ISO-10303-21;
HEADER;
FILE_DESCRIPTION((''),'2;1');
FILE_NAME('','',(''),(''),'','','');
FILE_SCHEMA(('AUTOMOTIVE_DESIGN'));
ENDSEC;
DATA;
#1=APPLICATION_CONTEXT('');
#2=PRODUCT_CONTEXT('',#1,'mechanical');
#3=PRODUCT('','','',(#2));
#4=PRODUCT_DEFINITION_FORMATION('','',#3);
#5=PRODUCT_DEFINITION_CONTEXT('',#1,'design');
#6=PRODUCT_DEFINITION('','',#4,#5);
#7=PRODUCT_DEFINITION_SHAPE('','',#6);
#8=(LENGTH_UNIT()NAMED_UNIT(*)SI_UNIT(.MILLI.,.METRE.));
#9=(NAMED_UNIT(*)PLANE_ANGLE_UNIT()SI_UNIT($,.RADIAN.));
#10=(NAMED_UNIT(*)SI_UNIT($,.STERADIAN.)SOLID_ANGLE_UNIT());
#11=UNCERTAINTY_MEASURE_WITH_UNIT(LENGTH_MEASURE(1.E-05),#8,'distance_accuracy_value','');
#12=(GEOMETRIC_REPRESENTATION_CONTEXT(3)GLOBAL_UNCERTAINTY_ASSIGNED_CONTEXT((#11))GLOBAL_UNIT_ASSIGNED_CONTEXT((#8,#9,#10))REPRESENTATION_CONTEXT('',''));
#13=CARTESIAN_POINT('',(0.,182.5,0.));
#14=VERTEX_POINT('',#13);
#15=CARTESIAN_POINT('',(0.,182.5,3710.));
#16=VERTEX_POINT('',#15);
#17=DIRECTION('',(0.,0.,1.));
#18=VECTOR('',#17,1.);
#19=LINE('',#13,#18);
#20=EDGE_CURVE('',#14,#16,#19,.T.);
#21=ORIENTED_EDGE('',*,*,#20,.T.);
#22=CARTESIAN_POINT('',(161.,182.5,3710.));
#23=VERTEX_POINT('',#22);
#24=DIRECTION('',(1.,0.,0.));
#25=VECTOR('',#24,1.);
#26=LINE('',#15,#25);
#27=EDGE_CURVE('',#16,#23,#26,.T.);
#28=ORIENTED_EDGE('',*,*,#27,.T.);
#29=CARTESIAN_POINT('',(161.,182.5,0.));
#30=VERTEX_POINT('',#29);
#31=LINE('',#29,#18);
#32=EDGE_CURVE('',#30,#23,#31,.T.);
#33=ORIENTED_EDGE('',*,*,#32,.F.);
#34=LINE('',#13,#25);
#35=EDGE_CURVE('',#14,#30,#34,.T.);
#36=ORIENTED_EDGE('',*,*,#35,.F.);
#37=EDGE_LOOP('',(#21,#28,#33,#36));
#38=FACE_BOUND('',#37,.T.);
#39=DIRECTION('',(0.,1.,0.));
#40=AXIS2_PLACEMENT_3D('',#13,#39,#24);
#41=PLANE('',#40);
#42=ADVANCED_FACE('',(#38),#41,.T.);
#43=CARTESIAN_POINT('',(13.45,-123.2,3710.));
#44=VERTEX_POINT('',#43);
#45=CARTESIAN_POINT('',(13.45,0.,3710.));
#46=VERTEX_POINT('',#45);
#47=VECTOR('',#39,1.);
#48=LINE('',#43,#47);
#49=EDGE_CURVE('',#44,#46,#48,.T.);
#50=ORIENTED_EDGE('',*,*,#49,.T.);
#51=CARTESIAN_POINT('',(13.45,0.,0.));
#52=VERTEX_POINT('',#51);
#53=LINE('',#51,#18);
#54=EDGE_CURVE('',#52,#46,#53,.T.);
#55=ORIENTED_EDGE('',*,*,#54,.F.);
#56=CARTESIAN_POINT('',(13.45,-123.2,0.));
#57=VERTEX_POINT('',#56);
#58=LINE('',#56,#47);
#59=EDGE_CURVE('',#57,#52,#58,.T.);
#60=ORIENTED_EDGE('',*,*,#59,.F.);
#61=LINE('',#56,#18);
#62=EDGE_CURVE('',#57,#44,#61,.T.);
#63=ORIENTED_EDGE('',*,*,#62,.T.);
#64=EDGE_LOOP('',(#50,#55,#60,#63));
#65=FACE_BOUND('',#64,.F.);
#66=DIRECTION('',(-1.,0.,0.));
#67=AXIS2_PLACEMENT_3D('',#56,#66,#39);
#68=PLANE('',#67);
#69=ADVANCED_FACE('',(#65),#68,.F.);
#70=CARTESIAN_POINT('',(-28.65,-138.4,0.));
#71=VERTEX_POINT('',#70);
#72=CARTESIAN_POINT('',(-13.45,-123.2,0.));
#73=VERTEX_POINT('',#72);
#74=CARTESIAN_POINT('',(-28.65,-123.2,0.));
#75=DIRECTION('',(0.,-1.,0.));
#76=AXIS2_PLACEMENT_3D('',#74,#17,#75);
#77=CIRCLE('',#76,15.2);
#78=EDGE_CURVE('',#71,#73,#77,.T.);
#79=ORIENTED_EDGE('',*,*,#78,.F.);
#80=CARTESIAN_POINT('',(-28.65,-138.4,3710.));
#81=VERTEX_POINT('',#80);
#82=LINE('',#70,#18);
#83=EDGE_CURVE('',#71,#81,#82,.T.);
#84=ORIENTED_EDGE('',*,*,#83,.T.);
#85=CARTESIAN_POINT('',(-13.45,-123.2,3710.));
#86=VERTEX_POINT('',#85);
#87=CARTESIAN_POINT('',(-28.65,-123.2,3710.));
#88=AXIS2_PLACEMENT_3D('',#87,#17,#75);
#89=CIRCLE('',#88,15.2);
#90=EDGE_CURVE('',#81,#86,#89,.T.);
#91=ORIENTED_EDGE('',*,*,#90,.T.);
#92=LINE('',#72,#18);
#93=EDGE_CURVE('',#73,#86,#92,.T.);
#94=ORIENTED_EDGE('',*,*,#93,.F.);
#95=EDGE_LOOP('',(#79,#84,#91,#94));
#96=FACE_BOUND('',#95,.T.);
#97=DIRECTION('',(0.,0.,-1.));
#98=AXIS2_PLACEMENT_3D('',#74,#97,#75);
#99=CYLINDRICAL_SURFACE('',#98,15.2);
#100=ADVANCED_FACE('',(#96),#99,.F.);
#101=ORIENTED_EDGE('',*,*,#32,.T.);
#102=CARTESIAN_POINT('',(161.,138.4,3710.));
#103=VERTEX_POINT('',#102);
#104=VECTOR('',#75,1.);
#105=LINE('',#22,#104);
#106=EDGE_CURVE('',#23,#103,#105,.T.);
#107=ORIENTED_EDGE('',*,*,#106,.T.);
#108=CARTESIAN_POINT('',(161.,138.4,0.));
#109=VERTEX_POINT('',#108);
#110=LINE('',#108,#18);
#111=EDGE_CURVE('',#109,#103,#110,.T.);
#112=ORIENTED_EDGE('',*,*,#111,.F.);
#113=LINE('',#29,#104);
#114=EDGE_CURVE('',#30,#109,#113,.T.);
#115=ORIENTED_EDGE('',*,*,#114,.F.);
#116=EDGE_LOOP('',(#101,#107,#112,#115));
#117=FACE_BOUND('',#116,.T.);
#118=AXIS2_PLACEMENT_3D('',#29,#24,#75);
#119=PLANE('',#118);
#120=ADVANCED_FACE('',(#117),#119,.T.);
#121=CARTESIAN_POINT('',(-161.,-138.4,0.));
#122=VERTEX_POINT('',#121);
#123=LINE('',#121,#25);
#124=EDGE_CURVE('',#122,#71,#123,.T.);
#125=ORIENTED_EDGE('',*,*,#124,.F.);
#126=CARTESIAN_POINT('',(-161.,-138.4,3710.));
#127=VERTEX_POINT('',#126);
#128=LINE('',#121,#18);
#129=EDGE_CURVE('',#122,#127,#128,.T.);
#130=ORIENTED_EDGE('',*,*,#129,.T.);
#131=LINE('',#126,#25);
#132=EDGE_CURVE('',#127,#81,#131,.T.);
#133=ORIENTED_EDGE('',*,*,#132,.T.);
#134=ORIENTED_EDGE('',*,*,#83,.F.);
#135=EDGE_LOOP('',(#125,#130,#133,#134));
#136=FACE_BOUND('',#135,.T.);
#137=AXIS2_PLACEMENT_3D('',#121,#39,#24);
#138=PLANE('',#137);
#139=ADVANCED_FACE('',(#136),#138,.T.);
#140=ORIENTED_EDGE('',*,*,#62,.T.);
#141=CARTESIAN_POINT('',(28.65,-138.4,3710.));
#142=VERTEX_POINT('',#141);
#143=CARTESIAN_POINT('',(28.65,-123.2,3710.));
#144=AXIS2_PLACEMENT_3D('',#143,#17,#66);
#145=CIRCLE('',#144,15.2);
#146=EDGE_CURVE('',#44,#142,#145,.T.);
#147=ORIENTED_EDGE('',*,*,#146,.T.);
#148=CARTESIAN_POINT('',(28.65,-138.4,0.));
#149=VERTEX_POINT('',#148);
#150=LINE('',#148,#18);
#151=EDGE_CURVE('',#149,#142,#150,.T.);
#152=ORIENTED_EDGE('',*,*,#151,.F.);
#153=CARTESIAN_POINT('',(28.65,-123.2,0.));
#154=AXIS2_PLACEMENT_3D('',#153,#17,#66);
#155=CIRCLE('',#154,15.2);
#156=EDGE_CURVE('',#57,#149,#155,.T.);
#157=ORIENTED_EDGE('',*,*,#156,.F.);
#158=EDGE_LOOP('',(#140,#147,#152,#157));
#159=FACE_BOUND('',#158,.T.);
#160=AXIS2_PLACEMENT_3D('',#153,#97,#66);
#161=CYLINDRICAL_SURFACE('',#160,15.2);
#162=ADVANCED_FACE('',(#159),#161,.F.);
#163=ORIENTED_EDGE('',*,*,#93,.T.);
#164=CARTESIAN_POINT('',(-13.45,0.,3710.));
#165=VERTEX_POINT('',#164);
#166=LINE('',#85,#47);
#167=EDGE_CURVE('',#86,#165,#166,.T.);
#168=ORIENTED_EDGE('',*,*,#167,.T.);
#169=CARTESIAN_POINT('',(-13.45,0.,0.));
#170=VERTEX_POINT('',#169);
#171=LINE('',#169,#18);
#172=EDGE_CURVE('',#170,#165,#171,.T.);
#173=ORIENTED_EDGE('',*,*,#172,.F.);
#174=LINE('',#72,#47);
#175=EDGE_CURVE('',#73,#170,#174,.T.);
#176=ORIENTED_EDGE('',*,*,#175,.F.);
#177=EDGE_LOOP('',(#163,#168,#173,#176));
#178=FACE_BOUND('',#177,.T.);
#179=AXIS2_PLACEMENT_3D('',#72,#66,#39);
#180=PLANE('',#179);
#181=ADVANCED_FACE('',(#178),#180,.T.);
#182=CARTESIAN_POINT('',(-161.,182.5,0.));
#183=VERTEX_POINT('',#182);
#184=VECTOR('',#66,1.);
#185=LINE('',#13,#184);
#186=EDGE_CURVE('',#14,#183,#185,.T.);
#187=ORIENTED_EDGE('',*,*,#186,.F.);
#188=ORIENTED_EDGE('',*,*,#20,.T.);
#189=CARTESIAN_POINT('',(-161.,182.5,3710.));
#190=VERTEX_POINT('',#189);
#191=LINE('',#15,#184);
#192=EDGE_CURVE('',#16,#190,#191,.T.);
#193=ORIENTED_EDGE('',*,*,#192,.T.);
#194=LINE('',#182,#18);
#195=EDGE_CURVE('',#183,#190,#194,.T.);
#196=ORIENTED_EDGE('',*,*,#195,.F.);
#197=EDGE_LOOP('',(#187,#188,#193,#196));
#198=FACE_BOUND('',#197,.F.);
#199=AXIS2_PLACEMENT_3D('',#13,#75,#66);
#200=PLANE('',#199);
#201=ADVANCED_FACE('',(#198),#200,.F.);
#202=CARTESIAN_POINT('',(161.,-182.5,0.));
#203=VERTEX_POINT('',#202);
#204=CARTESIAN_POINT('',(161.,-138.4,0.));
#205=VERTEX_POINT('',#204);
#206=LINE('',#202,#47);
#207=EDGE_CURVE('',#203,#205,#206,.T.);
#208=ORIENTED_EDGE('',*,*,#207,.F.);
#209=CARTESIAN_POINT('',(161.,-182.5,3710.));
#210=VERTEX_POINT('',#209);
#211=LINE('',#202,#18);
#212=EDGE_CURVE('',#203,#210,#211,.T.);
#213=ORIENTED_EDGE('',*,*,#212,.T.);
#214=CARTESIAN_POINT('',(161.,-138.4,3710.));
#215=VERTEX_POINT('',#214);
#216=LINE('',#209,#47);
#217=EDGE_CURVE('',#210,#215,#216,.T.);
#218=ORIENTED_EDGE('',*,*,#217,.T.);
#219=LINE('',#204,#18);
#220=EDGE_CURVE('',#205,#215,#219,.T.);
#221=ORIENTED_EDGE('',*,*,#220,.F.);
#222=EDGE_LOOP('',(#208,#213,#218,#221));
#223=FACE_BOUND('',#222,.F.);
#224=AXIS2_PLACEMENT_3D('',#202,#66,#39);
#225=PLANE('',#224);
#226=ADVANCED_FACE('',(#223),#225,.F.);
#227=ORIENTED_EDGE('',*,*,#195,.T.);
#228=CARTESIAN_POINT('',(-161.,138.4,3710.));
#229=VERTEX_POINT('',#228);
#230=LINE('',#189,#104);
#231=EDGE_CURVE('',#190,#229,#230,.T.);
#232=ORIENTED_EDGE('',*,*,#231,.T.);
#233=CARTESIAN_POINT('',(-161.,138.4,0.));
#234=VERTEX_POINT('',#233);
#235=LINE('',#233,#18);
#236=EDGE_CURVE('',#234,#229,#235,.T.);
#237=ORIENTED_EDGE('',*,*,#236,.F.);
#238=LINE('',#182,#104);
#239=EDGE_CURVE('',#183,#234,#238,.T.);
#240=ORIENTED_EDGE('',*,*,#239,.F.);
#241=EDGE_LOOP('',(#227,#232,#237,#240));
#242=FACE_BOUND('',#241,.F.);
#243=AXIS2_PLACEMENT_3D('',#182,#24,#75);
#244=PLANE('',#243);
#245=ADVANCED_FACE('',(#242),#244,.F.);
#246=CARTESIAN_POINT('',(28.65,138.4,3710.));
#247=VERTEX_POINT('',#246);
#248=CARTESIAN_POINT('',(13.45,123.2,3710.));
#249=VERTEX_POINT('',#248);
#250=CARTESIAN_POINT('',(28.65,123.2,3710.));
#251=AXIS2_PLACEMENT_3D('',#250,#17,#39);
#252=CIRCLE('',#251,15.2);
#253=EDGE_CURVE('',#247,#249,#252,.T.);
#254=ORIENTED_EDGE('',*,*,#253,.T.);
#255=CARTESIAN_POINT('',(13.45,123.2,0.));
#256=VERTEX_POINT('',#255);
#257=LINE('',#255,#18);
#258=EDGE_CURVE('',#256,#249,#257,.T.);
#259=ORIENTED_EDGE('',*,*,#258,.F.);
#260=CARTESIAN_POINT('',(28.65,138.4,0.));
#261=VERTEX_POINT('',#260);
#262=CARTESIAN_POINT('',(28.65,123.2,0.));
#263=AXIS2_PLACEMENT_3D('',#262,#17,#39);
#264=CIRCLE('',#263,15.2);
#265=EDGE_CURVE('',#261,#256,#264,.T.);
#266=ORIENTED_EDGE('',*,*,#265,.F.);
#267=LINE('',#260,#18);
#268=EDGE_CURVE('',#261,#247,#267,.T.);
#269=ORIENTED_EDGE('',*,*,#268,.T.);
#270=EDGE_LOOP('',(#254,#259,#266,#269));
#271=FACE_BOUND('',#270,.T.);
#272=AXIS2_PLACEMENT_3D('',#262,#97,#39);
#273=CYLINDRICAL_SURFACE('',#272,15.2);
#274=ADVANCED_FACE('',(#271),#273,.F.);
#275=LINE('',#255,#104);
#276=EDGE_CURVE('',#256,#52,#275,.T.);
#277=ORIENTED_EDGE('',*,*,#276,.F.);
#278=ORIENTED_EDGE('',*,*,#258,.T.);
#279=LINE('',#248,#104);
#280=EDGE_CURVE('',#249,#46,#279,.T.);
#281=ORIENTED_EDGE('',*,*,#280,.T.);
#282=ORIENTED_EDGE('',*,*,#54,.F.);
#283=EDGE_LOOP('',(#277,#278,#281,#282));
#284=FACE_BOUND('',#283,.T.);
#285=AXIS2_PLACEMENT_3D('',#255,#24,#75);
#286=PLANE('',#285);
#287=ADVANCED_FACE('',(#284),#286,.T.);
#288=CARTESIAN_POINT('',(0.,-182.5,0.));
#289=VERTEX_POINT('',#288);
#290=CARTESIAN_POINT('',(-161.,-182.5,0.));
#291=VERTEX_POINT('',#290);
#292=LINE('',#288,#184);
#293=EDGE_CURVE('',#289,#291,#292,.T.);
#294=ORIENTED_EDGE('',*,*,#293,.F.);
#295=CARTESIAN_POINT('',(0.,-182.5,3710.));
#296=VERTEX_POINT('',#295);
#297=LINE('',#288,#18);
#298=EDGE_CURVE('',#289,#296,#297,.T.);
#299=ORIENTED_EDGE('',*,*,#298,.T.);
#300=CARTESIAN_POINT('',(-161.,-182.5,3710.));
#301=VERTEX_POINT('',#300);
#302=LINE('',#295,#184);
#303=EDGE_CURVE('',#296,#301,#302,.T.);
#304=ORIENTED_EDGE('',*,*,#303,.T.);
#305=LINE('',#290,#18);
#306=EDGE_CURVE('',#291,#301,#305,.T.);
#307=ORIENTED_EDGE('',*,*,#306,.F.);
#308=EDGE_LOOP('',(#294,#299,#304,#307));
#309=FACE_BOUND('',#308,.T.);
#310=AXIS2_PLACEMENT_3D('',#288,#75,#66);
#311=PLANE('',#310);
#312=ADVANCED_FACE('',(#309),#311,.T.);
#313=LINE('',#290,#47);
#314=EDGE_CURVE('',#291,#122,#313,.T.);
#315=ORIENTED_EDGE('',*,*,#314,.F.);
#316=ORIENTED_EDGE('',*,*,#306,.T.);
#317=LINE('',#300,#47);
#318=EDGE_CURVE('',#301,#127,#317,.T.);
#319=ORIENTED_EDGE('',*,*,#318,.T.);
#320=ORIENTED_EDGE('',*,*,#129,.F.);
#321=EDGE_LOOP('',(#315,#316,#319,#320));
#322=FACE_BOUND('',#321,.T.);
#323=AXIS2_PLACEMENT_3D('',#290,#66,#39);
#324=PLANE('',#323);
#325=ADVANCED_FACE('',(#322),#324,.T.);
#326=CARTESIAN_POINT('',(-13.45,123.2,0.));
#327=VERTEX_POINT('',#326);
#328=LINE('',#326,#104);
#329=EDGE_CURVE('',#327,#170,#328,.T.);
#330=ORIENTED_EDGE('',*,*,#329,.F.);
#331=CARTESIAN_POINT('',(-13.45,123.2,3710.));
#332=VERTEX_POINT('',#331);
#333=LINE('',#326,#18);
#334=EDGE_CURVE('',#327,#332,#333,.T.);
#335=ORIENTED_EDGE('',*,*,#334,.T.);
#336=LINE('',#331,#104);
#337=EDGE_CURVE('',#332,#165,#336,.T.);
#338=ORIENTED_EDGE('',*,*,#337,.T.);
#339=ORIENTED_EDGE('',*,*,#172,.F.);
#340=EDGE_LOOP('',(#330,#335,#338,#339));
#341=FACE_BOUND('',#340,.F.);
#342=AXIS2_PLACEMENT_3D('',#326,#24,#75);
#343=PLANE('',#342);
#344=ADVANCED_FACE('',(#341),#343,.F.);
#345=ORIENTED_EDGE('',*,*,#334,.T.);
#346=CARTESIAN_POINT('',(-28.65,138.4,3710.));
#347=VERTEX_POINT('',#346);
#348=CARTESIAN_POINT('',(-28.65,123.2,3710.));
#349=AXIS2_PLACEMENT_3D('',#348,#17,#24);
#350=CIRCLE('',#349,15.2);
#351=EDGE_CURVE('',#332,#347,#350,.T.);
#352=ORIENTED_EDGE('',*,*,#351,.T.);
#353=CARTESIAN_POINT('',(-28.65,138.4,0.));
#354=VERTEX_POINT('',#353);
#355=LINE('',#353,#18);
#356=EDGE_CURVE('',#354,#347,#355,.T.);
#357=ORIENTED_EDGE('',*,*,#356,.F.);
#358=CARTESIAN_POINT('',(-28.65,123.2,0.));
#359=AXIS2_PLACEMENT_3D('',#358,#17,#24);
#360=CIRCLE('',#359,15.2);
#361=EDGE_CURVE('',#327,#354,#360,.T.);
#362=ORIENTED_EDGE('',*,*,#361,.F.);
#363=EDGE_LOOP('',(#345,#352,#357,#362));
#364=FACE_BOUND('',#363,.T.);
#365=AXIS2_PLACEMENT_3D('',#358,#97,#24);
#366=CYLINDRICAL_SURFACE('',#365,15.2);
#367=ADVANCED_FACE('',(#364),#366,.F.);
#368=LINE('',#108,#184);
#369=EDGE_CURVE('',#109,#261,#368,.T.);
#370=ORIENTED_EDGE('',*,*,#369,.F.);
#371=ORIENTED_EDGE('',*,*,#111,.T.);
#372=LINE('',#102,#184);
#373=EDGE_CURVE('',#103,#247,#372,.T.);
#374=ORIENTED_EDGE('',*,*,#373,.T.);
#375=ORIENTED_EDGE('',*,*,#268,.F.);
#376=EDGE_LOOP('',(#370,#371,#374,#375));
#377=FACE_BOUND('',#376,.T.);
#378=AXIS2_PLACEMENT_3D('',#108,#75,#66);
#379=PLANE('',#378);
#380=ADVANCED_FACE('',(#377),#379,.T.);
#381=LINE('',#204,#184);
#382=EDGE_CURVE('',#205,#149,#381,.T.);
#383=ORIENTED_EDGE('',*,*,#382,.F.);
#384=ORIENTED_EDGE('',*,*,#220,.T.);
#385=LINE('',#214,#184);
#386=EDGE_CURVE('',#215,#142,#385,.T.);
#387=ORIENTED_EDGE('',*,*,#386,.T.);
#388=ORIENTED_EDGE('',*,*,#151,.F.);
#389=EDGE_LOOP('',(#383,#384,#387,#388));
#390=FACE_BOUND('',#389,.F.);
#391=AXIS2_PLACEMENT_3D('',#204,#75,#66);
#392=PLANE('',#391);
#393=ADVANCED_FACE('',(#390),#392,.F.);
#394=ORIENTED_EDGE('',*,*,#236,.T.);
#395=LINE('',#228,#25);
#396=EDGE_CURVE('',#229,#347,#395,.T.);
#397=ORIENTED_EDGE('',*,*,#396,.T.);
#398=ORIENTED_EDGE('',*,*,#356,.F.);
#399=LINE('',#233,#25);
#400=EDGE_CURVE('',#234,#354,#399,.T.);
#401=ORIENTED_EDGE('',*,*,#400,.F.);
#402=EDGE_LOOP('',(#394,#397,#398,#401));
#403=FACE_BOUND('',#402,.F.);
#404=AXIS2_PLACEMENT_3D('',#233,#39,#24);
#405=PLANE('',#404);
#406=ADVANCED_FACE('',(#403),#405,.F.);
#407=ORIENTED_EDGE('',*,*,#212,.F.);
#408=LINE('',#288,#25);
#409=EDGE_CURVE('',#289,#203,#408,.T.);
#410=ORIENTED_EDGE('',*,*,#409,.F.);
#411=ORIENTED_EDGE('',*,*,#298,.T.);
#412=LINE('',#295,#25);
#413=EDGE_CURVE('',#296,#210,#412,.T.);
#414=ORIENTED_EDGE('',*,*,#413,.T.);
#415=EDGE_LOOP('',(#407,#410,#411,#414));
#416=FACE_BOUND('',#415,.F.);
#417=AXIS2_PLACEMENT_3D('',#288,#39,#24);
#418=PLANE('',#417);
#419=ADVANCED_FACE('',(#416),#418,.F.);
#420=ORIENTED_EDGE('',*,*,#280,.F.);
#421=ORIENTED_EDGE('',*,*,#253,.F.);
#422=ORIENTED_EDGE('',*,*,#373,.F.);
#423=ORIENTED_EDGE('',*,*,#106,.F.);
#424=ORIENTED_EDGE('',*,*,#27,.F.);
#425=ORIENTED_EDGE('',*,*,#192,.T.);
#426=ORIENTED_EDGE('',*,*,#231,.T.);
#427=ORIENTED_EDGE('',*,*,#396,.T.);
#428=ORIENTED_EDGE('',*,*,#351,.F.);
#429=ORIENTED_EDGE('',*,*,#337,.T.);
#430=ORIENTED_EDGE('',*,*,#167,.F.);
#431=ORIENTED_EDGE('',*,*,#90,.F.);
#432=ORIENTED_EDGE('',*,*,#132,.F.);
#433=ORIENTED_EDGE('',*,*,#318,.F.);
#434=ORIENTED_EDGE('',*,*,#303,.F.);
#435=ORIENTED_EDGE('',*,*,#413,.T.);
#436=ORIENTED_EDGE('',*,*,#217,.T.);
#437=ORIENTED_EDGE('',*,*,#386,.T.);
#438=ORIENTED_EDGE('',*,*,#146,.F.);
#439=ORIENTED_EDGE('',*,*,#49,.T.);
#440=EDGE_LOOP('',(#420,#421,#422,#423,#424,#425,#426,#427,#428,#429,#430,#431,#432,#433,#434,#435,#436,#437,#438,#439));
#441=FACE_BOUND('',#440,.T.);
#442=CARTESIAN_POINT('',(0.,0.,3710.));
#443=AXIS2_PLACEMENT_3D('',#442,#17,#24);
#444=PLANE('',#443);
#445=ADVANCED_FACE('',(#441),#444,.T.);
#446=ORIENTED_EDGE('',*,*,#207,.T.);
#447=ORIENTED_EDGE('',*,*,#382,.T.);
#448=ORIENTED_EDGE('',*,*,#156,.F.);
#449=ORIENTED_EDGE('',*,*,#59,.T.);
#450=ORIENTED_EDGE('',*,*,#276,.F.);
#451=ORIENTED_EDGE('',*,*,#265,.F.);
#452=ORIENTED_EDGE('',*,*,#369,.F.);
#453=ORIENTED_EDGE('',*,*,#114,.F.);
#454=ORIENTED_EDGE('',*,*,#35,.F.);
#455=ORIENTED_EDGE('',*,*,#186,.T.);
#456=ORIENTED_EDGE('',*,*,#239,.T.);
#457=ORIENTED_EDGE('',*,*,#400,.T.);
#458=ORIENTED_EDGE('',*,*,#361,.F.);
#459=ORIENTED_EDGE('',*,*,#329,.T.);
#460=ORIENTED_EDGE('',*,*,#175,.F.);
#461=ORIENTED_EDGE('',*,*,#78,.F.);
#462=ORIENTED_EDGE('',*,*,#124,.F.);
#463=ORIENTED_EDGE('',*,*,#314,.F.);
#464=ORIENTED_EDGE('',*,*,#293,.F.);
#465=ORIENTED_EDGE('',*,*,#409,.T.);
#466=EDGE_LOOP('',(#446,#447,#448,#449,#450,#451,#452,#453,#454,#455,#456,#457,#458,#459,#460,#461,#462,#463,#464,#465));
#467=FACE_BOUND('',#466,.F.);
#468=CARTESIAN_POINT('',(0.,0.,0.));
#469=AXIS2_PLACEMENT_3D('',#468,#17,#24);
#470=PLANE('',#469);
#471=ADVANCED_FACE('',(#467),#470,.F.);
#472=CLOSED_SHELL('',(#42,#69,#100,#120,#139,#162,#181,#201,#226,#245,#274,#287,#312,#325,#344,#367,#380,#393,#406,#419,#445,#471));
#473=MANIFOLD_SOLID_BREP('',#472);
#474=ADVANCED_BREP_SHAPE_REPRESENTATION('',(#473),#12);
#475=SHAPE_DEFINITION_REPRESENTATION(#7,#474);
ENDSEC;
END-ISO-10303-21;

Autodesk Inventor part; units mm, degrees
ref_plane "YZ Plane" through (0, 0, 0) normal (1, 0, 0) x (0, 1, 0)
ref_plane "Start plane" through (0, 0, 0) normal (0, 0, 1) x (1, 0, 0)
ref_plane "End plane" through (0, 0, 3710) normal (0, 0, 1) x (1, 0, 0)
sketch "Sketch" plane through (0, 0, 0) normal (0, 0, 1) x (1, 0, 0)
  line L0 (-161, -182.5) -> (-161, -138.4)
  line L1 (-161, -138.4) -> (-28.65, -138.4)
  line L2 (-13.45, -123.2) -> (-13.45, 0)
  line L3 (-13.45, 0) -> (0, 0) construction
  line L4 (0, 0) -> (0, -182.5) construction
  line L5 (0, -182.5) -> (-161, -182.5)
  line L6 (-60, 0) -> (80, 0) construction
  line L7 (0, -60) -> (0, 80) construction
  line L8 (161, -182.5) -> (161, -138.4)
  line L9 (161, -138.4) -> (28.65, -138.4)
  line L10 (13.45, -123.2) -> (13.45, 0)
  line L11 (13.45, 0) -> (0, 0) construction
  line L12 (0, -182.5) -> (161, -182.5)
  line L13 (-161, 182.5) -> (-161, 138.4)
  line L14 (-161, 138.4) -> (-28.65, 138.4)
  line L15 (-13.45, 123.2) -> (-13.45, 0)
  line L16 (0, 182.5) -> (-161, 182.5)
  line L17 (161, 182.5) -> (161, 138.4)
  line L18 (161, 138.4) -> (28.65, 138.4)
  line L19 (0, 182.5) -> (161, 182.5)
  line L20 (13.45, 123.2) -> (13.45, 0)
  arc A0 (-13.45, 123.2) -> (-28.65, 138.4) centre (-28.65, 123.2) ccw
  arc A1 (28.65, 138.4) -> (13.45, 123.2) centre (28.65, 123.2) ccw
  arc A2 (13.45, -123.2) -> (28.65, -138.4) centre (28.65, -123.2) ccw
  arc A3 (-28.65, -138.4) -> (-13.45, -123.2) centre (-28.65, -123.2) ccw
  line L21 (0, 108) -> (0, -88) construction
  line L22 (-88, 0) -> (108, 0) construction
  point P0 (-13.45, -138.4)
  point P1 (13.45, -138.4)
  point P2 (-13.45, 138.4)
  point P3 (13.45, 138.4)
  dimension "d1" = 182.5
  dimension "d2" = 44.1
  dimension "d3" = 161
  dimension "d4" = 13.45
  dimension "d10" = 15.2
extrude "Body" add sketch "Sketch" along normal up to surface (3710 mm away) from surface at 0
sketch "Sketch4" plane through (0, 0, 0) normal (0, 0, 1) x (1, 0, 0)
  line L0 (0, 0) -> (10, 0)
ref_plane "Work Plane3" through (0, 0, 0) normal (0, -1, 0) x (1, 0, 0)
sketch "Sketch5" plane through (0, 0, 0) normal (0, -1, 0) x (1, 0, 0)
  line L0 (-2, 0) -> (12, 0) projected
  line L1 (-2, 3710) -> (12, 3710) projected
  dimension "d14" = 3710
equation "\"d1\" = 0.5 * G_H"
equation "\"d2\" = G_T1"
equation "\"d3\" = 0.5 * G_W"
equation "\"d4\" = 0.5 * G_T"
equation "\"d10\" = G_IR"
equation "\"d5\" = G_L"
equation "\"G_W\" = 322"
equation "\"G_H\" = 365"
equation "\"G_T\" = 26.9"
equation "\"G_T1\" = 44.1"
equation "\"G_IR\" = 15.2"
equation "\"G_L\" = d14"
equation "\"G_OFFSET_START\" = 0"
equation "\"G_OFFSET_END\" = 0"
properties part number "AS 3679 - 310 UC - 283 - 3710" material "Steel, Mild"
